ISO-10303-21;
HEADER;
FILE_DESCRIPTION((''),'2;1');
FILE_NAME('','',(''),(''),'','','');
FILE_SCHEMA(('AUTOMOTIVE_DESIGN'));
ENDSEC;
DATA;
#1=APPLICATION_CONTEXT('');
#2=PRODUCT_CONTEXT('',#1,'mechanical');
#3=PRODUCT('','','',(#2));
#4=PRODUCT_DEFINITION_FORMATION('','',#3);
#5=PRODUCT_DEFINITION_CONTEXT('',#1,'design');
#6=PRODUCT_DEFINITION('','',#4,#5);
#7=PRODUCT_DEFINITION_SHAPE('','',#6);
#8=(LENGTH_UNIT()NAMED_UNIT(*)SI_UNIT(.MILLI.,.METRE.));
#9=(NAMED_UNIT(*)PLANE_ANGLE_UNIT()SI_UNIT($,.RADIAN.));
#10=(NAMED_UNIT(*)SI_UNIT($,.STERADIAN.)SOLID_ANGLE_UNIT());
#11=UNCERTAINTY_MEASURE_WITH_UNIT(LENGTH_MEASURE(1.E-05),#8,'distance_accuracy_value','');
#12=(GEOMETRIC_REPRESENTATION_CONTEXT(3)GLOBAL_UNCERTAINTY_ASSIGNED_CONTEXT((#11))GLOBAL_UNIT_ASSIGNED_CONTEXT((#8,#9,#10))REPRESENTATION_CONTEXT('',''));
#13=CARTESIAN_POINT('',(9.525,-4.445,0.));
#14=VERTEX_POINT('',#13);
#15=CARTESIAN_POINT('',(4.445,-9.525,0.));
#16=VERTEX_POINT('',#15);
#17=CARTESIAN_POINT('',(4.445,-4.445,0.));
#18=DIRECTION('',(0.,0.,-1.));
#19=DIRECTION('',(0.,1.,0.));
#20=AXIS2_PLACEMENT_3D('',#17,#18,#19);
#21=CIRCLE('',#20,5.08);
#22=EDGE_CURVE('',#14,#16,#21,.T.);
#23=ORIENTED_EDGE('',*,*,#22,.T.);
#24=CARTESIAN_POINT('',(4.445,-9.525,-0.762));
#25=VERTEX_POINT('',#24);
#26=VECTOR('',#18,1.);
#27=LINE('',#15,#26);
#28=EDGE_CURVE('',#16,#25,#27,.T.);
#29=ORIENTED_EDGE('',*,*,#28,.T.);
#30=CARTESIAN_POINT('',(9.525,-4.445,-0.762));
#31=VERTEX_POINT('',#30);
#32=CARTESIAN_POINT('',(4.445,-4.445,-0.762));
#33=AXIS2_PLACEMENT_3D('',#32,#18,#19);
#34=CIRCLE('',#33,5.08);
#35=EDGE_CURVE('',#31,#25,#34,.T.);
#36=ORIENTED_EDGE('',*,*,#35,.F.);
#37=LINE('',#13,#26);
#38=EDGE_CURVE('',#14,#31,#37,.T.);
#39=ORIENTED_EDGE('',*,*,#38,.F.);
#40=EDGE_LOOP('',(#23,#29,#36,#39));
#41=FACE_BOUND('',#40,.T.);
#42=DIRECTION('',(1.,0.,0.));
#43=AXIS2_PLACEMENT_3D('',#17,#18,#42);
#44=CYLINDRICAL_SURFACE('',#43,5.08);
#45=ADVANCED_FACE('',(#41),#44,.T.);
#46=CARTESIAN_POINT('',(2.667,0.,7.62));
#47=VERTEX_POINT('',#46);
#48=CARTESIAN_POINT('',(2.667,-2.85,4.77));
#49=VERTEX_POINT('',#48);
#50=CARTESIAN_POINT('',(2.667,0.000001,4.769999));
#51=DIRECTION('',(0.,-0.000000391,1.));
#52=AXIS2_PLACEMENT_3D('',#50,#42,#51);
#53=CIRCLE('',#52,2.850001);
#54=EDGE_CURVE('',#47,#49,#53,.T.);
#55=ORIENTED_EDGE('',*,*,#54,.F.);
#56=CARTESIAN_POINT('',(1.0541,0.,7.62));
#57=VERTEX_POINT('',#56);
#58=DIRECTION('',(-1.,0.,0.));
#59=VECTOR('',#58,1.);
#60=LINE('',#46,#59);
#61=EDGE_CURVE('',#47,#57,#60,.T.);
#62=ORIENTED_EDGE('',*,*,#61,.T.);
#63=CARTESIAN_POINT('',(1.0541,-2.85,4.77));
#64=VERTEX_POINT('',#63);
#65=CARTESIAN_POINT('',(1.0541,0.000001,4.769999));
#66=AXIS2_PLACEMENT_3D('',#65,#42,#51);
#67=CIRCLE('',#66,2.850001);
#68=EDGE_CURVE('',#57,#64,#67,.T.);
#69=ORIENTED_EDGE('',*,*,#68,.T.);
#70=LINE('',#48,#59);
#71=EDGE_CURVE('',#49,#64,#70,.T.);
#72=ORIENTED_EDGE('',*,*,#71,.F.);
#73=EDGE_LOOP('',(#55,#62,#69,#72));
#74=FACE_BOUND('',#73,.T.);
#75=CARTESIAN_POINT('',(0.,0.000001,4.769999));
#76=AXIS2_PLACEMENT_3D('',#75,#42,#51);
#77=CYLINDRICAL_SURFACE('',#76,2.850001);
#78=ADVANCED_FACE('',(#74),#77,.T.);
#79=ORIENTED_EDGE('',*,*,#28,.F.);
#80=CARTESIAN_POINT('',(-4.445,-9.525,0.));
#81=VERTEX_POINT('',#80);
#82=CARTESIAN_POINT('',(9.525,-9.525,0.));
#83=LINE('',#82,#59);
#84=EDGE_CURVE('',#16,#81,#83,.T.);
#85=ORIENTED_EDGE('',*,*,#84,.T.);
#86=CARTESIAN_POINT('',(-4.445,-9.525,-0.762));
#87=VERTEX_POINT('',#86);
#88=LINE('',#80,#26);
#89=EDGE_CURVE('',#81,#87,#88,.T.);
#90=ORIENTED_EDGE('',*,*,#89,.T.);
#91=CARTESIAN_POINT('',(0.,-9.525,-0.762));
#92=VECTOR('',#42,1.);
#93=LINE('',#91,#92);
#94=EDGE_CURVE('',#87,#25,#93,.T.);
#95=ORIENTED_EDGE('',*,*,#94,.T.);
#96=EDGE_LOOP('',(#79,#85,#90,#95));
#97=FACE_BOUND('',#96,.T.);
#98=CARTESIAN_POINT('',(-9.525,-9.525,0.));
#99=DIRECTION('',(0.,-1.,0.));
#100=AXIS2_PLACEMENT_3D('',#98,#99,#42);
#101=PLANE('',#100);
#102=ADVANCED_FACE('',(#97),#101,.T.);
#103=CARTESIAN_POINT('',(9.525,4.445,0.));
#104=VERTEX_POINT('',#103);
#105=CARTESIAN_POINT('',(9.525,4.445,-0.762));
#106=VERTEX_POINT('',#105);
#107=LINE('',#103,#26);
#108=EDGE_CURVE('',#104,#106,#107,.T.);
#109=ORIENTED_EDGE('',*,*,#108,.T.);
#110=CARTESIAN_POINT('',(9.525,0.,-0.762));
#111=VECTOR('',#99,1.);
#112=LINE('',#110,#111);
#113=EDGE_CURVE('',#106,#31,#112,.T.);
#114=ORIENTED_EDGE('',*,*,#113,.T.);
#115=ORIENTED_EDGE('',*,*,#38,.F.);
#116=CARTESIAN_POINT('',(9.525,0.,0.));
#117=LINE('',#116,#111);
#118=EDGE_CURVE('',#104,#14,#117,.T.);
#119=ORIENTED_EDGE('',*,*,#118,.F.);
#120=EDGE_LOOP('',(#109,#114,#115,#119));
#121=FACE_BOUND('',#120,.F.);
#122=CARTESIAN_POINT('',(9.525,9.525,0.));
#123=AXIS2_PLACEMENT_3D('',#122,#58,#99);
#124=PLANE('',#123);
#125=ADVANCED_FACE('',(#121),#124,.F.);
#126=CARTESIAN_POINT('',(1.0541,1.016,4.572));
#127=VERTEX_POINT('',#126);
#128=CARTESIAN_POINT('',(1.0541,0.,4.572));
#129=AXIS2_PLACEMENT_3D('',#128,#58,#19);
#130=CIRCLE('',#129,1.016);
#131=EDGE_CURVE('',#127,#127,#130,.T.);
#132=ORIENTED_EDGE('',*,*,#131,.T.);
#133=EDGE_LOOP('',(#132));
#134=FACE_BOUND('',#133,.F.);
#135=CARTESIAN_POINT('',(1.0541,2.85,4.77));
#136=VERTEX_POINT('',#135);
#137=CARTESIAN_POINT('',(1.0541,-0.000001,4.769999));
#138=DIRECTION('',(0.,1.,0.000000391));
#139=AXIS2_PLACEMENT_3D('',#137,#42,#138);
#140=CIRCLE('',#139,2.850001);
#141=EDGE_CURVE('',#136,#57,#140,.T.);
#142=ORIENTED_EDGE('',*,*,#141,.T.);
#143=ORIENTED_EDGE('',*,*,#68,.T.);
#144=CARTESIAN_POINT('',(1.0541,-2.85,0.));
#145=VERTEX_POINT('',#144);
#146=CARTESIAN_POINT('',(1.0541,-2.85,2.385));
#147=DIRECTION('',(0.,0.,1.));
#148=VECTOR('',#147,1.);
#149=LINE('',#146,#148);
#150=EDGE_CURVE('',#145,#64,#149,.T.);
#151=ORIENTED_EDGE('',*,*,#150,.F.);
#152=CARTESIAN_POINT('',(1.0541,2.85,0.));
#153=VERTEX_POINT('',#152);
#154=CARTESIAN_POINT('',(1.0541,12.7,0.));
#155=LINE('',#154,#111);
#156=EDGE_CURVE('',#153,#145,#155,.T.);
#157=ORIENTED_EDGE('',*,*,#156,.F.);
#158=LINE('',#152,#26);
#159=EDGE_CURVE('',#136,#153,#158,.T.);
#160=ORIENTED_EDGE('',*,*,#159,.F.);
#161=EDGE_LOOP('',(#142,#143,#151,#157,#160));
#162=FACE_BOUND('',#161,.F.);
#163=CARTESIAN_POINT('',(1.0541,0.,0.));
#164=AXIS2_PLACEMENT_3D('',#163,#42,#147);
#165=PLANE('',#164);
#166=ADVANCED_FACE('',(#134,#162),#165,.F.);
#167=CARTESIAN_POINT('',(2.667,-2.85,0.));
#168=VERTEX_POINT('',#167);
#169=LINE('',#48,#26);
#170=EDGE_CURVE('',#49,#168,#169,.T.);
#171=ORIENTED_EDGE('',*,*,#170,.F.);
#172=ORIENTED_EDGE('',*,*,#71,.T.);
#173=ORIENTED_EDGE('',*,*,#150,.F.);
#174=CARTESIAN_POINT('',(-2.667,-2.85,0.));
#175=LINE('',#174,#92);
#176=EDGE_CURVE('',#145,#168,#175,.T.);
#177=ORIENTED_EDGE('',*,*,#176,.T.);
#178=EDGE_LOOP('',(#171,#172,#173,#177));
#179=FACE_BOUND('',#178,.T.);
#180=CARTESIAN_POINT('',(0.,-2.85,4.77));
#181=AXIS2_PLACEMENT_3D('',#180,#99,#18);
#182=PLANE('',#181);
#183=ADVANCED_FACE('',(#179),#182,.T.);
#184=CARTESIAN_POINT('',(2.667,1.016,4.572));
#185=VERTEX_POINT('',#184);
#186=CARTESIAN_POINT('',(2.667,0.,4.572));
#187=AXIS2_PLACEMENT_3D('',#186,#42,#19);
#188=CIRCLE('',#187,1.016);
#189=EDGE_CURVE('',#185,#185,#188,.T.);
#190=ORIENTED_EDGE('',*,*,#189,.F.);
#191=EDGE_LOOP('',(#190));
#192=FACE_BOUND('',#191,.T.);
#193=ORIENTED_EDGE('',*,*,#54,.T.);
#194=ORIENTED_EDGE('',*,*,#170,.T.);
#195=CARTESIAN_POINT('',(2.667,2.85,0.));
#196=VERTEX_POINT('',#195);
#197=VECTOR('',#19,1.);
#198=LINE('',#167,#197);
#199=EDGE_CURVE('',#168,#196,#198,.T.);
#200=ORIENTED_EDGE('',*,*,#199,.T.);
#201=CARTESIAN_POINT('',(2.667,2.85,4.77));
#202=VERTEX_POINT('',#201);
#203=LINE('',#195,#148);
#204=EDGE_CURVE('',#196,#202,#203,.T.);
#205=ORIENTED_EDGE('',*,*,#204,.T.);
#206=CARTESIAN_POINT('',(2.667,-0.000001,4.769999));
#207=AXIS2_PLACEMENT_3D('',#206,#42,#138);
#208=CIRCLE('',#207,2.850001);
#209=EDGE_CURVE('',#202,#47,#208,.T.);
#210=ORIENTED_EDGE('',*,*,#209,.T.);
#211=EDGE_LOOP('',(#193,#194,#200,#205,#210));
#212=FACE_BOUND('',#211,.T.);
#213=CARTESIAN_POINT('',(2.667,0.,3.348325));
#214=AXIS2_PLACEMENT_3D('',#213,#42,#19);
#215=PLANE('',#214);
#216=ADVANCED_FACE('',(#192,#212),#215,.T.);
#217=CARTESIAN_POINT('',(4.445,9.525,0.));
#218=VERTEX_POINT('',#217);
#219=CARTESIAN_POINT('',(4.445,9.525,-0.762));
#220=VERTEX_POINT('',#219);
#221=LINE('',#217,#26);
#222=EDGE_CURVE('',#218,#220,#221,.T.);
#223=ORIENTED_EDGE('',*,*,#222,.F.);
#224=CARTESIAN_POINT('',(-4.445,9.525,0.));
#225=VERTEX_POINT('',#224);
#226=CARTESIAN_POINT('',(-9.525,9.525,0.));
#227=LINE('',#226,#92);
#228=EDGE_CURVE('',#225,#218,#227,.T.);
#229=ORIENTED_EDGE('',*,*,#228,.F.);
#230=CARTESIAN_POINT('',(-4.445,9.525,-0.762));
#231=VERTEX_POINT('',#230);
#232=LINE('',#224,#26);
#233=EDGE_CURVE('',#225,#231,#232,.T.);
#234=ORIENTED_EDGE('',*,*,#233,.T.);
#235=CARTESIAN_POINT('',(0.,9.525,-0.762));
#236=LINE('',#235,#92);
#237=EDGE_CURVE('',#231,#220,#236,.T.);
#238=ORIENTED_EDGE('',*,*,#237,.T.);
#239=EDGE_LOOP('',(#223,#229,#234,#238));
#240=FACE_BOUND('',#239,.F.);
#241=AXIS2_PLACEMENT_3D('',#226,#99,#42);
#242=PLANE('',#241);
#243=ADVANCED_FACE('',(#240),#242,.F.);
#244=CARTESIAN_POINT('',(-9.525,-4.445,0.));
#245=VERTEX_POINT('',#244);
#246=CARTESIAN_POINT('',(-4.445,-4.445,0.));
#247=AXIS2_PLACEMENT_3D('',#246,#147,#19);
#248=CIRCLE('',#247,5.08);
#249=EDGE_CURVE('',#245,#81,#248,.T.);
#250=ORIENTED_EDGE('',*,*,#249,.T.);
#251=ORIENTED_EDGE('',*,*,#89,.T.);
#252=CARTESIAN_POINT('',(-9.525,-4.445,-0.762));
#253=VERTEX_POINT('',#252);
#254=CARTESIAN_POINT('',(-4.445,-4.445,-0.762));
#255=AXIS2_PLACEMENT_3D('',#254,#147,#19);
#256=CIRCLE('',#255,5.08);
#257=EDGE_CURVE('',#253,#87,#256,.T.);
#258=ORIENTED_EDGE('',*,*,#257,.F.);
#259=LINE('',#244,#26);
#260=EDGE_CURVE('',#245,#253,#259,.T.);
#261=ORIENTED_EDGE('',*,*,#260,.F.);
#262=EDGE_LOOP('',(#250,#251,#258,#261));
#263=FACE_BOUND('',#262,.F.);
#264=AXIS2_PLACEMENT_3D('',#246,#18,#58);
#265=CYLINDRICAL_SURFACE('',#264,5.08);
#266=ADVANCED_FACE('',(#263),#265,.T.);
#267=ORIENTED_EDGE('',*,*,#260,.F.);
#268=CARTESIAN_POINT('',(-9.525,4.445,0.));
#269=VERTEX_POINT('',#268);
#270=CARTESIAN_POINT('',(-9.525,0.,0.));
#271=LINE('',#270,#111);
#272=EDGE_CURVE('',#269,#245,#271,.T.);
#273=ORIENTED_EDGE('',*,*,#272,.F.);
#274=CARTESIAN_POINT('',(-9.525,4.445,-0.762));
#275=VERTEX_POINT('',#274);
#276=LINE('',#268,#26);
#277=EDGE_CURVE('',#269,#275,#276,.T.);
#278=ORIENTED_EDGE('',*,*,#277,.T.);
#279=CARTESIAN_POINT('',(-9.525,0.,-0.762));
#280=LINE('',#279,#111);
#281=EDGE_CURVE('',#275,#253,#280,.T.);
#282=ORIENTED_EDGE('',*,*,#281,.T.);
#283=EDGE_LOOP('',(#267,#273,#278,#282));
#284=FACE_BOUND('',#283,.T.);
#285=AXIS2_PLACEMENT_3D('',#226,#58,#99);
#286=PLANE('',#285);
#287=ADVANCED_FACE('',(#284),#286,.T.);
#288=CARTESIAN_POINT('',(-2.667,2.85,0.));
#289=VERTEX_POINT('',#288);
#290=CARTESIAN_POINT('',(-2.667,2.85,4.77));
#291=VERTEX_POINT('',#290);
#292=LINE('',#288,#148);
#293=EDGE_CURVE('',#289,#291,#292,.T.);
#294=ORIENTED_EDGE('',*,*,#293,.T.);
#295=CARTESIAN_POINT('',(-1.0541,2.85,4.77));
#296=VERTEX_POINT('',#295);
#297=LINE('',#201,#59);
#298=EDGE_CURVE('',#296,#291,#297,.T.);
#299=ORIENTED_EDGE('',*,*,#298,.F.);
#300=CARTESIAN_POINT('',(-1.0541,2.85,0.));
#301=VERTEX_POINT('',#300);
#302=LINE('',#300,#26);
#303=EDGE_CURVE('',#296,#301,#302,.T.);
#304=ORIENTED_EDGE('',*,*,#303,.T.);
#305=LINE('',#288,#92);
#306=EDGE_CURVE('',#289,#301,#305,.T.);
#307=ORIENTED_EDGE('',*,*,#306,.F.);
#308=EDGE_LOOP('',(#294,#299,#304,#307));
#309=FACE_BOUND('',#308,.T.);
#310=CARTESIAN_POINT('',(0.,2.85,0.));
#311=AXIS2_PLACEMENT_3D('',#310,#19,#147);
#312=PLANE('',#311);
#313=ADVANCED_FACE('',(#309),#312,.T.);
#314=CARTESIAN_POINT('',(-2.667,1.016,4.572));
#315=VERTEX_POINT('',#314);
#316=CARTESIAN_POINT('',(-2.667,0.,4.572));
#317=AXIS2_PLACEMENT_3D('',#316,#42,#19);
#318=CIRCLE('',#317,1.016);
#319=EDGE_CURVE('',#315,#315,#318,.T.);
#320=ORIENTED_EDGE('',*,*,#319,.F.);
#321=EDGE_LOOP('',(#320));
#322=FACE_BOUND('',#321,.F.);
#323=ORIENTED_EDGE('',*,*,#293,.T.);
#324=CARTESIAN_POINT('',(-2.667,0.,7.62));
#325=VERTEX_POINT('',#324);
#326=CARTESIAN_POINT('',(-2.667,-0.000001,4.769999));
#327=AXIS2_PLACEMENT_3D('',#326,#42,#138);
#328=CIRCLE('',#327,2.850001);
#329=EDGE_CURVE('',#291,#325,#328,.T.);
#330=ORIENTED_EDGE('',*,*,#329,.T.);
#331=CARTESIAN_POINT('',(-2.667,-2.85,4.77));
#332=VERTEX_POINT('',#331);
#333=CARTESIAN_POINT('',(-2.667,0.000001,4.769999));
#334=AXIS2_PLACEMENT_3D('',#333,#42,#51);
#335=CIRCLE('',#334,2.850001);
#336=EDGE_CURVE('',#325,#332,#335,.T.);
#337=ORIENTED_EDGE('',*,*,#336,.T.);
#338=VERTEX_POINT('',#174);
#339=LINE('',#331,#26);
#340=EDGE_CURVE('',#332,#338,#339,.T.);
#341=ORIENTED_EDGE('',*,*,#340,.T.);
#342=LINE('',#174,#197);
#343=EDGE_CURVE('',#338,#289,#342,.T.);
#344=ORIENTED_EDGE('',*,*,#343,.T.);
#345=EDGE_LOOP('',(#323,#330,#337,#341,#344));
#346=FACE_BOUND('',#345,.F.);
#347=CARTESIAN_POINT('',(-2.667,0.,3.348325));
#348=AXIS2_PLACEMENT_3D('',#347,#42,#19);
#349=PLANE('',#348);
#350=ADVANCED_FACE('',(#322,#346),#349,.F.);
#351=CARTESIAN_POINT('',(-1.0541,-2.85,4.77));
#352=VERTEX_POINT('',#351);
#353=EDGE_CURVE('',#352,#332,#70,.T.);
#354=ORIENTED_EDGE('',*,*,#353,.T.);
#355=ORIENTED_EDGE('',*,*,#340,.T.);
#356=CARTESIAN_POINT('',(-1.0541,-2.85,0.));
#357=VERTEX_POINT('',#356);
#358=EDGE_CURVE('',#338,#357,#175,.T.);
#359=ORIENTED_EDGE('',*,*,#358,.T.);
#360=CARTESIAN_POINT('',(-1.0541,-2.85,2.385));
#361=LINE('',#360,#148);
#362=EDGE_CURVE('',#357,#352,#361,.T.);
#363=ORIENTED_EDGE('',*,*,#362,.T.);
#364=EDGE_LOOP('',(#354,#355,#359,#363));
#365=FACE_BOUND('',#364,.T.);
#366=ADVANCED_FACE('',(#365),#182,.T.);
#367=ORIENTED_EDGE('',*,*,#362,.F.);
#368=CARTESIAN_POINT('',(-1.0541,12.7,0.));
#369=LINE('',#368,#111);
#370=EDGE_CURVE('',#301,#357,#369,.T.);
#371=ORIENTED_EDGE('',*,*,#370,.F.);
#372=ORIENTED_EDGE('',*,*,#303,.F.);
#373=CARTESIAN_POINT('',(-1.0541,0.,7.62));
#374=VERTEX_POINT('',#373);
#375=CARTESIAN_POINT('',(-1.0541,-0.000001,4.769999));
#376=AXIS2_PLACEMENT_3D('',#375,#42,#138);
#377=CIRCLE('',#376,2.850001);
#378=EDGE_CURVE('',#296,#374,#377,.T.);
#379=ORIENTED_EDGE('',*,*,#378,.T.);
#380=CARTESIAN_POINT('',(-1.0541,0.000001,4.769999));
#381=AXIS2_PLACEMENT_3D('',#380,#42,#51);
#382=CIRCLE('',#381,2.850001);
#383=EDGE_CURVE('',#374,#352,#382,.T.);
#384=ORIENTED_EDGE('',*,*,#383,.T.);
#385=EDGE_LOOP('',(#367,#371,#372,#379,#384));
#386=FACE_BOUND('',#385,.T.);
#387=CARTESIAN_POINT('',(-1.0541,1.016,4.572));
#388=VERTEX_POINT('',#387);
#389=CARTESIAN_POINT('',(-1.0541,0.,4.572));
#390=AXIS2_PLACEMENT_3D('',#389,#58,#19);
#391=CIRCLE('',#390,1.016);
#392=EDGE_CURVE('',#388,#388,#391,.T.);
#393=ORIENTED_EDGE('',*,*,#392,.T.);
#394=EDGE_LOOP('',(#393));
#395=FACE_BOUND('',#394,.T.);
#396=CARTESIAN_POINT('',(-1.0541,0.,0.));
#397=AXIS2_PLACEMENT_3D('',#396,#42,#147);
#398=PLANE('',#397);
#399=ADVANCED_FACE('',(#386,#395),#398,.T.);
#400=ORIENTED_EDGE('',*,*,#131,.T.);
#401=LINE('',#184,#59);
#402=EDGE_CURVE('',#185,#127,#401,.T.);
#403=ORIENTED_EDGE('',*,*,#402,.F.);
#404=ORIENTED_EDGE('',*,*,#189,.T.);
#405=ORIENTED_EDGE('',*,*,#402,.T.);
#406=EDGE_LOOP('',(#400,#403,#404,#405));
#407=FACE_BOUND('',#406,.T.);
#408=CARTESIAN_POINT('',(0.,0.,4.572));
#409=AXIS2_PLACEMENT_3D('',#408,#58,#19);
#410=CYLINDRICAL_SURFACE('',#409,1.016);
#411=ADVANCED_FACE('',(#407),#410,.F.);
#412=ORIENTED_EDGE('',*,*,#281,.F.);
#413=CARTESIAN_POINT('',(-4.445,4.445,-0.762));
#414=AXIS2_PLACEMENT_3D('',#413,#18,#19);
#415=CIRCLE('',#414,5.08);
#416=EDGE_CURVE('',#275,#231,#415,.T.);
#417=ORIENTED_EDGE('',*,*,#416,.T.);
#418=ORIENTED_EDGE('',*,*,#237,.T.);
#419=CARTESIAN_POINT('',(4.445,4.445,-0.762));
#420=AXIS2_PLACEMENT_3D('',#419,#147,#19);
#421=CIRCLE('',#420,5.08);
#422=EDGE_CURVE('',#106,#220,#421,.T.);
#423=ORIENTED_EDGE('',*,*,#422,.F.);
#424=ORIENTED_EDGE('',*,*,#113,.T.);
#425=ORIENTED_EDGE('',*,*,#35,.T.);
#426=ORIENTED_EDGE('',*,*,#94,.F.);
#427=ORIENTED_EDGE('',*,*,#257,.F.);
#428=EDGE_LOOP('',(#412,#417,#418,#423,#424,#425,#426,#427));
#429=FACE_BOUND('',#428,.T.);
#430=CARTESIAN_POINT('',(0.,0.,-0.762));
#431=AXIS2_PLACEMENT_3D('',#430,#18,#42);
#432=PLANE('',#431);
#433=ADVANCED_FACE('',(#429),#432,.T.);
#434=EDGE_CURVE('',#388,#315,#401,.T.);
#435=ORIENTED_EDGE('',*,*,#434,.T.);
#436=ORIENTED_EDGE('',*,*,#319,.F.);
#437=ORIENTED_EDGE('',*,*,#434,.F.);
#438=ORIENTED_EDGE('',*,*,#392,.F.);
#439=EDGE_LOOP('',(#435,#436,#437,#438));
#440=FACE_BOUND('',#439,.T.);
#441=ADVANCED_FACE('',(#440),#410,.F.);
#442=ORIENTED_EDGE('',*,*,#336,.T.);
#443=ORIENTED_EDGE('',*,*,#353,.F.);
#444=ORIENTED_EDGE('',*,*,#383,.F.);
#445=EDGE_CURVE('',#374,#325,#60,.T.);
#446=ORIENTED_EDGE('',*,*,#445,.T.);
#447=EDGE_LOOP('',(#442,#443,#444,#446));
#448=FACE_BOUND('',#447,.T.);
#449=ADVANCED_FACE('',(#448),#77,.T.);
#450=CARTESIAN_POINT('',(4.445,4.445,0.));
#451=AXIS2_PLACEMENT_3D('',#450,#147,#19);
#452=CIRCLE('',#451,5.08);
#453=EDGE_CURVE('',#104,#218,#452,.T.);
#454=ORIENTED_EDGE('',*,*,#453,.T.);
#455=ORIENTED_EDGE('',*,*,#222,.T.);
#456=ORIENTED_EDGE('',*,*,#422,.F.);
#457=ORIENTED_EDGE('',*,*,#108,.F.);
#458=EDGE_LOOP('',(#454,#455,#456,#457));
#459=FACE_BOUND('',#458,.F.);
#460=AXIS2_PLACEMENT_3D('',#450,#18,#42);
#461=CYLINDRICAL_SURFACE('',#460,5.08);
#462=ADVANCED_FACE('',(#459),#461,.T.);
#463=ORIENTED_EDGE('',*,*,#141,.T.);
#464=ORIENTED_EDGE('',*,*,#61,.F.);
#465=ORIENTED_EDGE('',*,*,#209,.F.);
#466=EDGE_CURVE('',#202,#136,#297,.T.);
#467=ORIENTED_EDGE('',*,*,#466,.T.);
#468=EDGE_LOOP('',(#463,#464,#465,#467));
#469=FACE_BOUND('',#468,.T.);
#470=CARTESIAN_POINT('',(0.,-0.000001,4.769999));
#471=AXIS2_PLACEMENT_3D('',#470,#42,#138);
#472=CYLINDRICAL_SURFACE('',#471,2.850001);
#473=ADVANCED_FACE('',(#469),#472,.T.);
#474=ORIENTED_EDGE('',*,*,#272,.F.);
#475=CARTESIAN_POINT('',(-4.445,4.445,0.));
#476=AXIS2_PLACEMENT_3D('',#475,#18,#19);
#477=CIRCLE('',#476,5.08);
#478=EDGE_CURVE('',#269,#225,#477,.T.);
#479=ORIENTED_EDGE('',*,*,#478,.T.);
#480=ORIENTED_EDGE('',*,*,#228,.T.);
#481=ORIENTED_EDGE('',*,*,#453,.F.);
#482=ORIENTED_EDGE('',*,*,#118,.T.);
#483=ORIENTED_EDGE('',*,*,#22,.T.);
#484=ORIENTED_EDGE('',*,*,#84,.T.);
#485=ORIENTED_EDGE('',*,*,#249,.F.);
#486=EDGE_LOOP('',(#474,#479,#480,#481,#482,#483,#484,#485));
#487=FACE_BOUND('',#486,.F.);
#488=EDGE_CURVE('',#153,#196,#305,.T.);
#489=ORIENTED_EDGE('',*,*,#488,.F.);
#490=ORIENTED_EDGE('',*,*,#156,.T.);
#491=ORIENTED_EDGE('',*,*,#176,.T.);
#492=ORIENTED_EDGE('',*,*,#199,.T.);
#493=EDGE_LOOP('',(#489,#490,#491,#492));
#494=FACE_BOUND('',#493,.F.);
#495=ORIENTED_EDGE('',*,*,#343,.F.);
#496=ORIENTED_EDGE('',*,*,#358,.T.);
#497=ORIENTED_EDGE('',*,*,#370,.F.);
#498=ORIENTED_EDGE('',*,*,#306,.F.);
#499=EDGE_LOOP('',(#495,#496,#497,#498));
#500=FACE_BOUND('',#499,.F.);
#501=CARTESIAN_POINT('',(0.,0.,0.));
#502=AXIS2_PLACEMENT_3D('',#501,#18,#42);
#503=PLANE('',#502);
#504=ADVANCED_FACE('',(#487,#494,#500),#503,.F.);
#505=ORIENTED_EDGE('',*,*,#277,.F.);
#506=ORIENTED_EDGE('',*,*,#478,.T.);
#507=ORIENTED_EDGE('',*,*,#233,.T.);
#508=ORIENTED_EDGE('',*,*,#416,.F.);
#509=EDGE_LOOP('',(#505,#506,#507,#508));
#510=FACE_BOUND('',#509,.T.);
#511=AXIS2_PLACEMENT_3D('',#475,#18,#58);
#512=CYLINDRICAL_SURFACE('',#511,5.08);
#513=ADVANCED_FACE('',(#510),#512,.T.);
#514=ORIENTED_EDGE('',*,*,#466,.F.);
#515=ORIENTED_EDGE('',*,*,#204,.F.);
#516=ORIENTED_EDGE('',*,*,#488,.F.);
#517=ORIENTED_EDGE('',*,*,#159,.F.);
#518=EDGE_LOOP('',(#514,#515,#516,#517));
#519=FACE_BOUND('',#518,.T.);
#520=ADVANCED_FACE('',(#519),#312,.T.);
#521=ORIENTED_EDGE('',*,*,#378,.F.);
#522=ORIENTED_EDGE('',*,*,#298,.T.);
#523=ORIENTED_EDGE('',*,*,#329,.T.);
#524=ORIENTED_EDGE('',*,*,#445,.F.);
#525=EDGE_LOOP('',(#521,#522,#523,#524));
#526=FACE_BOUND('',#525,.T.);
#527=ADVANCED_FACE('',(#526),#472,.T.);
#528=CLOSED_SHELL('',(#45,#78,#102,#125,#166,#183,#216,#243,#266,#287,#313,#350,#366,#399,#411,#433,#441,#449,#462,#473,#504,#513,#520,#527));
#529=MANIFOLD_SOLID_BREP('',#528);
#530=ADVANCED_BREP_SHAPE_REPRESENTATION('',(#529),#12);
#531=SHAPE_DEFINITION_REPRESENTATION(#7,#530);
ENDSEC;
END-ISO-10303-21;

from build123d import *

# Parameters (mm, degrees)
F0_R     = 1.016
F1_DEPTH = 2.667
F2_W     = 19.05
F2_H     = 19.05
F3_DEPTH = 0.762
F4_W     = 2.1082
F4_H     = 12.7
F5_DEPTH = 12.7
F6_R     = 5.08


with BuildPart() as f1:
    # F0 (on Right) → F1 (new body, symmetric)
    with BuildSketch(Plane.YZ):
        with BuildLine():
            Line((-2.85, 4.77), (-2.85, 0))
            Line((-2.85, 0), (2.85, 0))
            Line((2.85, 0), (2.85, 4.77))
            ThreePointArc((2.85, 4.77), (2.015254, 6.785254), (0, 7.62))
            ThreePointArc((0, 7.62), (-2.015254, 6.785254), (-2.85, 4.77))
        make_face()
        with Locations((0, 4.572)):
            Circle(F0_R, mode=Mode.SUBTRACT)
    extrude(amount=F1_DEPTH, both=True)

    # F2 (on face) → F3 (join)
    with BuildSketch(Plane(origin=(0, 0, 0), x_dir=(1, 0, 0), z_dir=(0, 0, -1))):
        Rectangle(F2_W, F2_H)
    extrude(amount=F3_DEPTH)

    # F4 (on Front) → F5 (cut, symmetric)
    with BuildSketch(Plane.XZ):
        with Locations((0, 6.35)):
            Rectangle(F4_W, F4_H)
    extrude(amount=F5_DEPTH, both=True, mode=Mode.SUBTRACT)

    # F6
    f6_edges = [f1.edges().sort_by_distance(p)[0] for p in [
        (9.525, 9.525, -0.381),
        (-9.525, 9.525, -0.381),
        (9.525, -9.525, -0.381),
        (-9.525, -9.525, -0.381),
    ]]
    fillet(f6_edges, radius=F6_R)


solid = f1.part
